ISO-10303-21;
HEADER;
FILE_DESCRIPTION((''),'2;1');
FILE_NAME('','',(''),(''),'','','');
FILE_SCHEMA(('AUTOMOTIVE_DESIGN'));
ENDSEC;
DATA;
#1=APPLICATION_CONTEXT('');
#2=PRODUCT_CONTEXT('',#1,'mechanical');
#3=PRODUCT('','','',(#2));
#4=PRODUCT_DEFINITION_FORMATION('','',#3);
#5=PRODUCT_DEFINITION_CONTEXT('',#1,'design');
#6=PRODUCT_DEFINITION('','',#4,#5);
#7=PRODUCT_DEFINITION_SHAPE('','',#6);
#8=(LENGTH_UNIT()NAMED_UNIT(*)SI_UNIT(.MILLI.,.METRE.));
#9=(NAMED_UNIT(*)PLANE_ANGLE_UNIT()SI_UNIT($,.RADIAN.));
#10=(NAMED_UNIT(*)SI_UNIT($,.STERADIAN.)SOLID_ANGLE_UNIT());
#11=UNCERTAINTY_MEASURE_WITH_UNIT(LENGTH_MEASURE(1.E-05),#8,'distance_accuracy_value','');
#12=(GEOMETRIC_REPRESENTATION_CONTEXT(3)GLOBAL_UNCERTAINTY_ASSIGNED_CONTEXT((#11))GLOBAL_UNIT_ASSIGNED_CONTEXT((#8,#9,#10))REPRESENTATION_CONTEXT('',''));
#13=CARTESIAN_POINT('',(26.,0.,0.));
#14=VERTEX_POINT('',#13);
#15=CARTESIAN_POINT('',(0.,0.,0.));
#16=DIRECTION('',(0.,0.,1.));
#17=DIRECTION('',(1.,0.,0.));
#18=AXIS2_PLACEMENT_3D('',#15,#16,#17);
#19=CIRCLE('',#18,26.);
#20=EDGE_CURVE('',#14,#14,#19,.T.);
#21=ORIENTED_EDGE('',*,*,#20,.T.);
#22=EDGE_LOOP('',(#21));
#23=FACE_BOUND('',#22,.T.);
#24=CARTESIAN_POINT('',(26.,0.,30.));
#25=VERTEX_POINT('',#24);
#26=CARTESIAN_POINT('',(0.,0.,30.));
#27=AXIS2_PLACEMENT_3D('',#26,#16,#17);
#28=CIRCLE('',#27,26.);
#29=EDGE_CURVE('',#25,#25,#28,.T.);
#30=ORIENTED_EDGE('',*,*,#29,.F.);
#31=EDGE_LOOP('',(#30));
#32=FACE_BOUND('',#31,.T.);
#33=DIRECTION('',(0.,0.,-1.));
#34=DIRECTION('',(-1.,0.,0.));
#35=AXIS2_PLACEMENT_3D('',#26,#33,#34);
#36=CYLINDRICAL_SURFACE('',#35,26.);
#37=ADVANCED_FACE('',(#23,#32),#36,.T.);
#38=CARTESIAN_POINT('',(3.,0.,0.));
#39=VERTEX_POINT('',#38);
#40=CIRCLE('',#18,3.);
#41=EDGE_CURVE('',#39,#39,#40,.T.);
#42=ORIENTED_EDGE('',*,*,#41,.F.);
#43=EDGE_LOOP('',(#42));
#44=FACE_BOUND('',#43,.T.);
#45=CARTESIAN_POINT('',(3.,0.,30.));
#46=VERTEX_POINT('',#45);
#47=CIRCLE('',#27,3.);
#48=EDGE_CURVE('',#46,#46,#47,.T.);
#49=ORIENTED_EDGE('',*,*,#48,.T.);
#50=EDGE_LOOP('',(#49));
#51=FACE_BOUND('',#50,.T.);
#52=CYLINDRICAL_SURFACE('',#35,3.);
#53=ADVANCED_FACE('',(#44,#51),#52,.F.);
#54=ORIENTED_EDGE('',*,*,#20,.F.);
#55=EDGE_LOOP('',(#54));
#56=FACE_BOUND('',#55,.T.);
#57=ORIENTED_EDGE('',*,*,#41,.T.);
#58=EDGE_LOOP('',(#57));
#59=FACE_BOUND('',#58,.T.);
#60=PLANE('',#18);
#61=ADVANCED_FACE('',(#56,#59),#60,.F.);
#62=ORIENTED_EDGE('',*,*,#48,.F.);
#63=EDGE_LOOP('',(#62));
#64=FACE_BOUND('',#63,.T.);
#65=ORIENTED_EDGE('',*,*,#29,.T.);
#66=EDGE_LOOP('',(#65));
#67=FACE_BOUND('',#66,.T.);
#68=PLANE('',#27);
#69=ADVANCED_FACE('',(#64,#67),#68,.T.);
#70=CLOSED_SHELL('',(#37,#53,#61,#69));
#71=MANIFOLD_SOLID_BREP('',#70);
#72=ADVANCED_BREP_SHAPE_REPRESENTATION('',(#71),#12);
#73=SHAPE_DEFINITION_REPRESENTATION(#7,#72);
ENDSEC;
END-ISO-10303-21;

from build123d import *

# Parameters (mm, degrees)
SKETCH1_R           = 26
SKETCH1_R_2         = 22.5
SKETCH1_R_3         = 3
BOSS_EXTRUDE1_DEPTH = 30


with BuildPart() as part:
    # Sketch1 → Boss-Extrude1 (new body)
    with BuildSketch(Plane.XY):
        Circle(SKETCH1_R)
        Circle(SKETCH1_R_2, mode=Mode.SUBTRACT)
        Circle(SKETCH1_R_2)
        Circle(SKETCH1_R_3, mode=Mode.SUBTRACT)
    extrude(amount=BOSS_EXTRUDE1_DEPTH)


solid = part.part
